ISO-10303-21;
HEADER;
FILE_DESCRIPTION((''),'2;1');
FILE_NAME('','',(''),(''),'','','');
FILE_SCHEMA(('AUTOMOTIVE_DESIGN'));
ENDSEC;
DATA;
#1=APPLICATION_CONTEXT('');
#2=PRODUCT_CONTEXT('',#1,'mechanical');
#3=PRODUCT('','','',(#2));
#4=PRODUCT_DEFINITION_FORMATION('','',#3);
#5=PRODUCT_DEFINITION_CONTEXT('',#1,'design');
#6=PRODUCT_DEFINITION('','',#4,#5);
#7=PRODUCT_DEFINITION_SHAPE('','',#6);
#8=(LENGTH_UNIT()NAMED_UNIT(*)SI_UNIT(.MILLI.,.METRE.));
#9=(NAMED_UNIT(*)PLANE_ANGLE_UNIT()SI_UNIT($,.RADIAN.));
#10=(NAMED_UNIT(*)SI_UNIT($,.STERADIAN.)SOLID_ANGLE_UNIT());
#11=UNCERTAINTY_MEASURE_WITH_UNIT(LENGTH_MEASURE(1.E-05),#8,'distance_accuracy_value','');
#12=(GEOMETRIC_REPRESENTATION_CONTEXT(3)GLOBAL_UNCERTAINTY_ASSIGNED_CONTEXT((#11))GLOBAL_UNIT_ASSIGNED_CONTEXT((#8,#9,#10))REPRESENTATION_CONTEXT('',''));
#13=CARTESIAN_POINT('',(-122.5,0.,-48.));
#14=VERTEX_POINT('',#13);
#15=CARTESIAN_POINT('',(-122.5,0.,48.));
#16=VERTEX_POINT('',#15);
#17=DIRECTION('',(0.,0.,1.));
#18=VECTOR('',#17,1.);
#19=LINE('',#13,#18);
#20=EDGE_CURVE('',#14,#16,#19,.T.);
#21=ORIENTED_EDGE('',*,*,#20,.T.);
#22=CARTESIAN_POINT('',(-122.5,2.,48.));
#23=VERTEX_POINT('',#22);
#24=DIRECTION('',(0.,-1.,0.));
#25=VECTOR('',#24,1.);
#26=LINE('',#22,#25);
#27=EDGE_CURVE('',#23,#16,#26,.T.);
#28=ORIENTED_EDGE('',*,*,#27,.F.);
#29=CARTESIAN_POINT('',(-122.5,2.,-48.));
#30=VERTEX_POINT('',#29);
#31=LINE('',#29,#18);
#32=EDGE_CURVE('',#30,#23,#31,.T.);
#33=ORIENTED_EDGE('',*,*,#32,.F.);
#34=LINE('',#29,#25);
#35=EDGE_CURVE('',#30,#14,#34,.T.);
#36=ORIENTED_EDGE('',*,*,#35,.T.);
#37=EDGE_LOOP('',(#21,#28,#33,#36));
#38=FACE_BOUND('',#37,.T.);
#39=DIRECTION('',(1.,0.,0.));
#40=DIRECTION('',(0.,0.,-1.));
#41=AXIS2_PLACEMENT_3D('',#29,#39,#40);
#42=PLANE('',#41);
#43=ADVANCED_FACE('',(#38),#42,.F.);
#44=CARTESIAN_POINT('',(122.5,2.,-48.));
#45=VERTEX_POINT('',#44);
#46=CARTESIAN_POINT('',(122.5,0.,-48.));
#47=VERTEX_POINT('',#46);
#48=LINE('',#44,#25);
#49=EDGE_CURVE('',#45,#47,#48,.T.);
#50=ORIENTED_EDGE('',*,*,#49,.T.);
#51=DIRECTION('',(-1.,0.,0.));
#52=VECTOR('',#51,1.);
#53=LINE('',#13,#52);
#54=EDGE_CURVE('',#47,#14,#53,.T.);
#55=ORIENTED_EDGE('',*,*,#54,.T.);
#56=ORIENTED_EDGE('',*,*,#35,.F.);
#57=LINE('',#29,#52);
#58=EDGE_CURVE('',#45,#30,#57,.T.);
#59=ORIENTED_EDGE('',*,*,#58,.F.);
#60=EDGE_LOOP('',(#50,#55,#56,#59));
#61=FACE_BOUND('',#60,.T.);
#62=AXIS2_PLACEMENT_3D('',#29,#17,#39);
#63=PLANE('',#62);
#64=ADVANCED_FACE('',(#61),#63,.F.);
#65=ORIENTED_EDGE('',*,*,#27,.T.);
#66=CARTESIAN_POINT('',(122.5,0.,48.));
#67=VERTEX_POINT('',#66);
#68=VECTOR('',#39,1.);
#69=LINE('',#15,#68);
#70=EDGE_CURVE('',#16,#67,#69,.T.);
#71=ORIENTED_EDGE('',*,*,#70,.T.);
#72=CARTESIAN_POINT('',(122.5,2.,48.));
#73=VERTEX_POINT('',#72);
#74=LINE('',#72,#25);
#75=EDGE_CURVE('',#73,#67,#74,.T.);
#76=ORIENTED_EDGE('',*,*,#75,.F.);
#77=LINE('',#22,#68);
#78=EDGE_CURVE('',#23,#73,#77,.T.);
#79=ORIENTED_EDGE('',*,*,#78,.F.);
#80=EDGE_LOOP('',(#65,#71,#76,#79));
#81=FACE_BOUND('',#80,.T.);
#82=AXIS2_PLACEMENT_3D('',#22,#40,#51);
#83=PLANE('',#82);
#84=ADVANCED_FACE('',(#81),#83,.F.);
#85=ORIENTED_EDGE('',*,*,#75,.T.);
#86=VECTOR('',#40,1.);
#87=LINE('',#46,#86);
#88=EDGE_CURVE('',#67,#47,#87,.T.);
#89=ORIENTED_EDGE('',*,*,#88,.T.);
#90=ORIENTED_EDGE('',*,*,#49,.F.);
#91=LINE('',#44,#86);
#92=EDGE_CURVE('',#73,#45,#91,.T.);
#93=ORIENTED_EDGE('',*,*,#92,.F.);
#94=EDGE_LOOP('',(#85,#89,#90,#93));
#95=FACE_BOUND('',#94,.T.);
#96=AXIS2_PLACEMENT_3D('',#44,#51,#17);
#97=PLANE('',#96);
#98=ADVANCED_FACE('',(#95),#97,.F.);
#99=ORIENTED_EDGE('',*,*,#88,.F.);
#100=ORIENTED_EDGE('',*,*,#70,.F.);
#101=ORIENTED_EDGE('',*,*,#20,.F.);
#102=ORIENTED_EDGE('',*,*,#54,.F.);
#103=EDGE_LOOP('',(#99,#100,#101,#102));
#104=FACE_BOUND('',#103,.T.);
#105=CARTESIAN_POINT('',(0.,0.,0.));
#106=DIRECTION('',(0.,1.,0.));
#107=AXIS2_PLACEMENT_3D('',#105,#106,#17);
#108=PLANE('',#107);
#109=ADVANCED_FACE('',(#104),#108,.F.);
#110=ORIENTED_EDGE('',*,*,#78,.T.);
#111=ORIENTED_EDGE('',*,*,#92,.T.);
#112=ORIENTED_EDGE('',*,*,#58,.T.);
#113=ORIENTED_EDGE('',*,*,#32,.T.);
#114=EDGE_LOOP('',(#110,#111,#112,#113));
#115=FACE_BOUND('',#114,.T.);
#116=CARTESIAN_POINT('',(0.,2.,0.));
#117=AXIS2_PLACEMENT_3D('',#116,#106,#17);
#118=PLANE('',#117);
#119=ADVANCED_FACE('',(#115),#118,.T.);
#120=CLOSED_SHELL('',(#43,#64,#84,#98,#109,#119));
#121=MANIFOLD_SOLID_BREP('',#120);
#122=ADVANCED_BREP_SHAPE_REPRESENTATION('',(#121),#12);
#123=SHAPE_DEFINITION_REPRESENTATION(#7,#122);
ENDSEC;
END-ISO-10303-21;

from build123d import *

# Parameters (mm, degrees)
SKETCH2_W           = 245
SKETCH2_H           = 96
BOSS_EXTRUDE1_DEPTH = 2


with BuildPart() as part:
    # Sketch2 → Boss-Extrude1 (new body)
    with BuildSketch(Plane(origin=(0, 0, 0), x_dir=(1, 0, 0), z_dir=(0, 1, 0))):
        Rectangle(SKETCH2_W, SKETCH2_H)
    extrude(amount=BOSS_EXTRUDE1_DEPTH)


solid = part.part
